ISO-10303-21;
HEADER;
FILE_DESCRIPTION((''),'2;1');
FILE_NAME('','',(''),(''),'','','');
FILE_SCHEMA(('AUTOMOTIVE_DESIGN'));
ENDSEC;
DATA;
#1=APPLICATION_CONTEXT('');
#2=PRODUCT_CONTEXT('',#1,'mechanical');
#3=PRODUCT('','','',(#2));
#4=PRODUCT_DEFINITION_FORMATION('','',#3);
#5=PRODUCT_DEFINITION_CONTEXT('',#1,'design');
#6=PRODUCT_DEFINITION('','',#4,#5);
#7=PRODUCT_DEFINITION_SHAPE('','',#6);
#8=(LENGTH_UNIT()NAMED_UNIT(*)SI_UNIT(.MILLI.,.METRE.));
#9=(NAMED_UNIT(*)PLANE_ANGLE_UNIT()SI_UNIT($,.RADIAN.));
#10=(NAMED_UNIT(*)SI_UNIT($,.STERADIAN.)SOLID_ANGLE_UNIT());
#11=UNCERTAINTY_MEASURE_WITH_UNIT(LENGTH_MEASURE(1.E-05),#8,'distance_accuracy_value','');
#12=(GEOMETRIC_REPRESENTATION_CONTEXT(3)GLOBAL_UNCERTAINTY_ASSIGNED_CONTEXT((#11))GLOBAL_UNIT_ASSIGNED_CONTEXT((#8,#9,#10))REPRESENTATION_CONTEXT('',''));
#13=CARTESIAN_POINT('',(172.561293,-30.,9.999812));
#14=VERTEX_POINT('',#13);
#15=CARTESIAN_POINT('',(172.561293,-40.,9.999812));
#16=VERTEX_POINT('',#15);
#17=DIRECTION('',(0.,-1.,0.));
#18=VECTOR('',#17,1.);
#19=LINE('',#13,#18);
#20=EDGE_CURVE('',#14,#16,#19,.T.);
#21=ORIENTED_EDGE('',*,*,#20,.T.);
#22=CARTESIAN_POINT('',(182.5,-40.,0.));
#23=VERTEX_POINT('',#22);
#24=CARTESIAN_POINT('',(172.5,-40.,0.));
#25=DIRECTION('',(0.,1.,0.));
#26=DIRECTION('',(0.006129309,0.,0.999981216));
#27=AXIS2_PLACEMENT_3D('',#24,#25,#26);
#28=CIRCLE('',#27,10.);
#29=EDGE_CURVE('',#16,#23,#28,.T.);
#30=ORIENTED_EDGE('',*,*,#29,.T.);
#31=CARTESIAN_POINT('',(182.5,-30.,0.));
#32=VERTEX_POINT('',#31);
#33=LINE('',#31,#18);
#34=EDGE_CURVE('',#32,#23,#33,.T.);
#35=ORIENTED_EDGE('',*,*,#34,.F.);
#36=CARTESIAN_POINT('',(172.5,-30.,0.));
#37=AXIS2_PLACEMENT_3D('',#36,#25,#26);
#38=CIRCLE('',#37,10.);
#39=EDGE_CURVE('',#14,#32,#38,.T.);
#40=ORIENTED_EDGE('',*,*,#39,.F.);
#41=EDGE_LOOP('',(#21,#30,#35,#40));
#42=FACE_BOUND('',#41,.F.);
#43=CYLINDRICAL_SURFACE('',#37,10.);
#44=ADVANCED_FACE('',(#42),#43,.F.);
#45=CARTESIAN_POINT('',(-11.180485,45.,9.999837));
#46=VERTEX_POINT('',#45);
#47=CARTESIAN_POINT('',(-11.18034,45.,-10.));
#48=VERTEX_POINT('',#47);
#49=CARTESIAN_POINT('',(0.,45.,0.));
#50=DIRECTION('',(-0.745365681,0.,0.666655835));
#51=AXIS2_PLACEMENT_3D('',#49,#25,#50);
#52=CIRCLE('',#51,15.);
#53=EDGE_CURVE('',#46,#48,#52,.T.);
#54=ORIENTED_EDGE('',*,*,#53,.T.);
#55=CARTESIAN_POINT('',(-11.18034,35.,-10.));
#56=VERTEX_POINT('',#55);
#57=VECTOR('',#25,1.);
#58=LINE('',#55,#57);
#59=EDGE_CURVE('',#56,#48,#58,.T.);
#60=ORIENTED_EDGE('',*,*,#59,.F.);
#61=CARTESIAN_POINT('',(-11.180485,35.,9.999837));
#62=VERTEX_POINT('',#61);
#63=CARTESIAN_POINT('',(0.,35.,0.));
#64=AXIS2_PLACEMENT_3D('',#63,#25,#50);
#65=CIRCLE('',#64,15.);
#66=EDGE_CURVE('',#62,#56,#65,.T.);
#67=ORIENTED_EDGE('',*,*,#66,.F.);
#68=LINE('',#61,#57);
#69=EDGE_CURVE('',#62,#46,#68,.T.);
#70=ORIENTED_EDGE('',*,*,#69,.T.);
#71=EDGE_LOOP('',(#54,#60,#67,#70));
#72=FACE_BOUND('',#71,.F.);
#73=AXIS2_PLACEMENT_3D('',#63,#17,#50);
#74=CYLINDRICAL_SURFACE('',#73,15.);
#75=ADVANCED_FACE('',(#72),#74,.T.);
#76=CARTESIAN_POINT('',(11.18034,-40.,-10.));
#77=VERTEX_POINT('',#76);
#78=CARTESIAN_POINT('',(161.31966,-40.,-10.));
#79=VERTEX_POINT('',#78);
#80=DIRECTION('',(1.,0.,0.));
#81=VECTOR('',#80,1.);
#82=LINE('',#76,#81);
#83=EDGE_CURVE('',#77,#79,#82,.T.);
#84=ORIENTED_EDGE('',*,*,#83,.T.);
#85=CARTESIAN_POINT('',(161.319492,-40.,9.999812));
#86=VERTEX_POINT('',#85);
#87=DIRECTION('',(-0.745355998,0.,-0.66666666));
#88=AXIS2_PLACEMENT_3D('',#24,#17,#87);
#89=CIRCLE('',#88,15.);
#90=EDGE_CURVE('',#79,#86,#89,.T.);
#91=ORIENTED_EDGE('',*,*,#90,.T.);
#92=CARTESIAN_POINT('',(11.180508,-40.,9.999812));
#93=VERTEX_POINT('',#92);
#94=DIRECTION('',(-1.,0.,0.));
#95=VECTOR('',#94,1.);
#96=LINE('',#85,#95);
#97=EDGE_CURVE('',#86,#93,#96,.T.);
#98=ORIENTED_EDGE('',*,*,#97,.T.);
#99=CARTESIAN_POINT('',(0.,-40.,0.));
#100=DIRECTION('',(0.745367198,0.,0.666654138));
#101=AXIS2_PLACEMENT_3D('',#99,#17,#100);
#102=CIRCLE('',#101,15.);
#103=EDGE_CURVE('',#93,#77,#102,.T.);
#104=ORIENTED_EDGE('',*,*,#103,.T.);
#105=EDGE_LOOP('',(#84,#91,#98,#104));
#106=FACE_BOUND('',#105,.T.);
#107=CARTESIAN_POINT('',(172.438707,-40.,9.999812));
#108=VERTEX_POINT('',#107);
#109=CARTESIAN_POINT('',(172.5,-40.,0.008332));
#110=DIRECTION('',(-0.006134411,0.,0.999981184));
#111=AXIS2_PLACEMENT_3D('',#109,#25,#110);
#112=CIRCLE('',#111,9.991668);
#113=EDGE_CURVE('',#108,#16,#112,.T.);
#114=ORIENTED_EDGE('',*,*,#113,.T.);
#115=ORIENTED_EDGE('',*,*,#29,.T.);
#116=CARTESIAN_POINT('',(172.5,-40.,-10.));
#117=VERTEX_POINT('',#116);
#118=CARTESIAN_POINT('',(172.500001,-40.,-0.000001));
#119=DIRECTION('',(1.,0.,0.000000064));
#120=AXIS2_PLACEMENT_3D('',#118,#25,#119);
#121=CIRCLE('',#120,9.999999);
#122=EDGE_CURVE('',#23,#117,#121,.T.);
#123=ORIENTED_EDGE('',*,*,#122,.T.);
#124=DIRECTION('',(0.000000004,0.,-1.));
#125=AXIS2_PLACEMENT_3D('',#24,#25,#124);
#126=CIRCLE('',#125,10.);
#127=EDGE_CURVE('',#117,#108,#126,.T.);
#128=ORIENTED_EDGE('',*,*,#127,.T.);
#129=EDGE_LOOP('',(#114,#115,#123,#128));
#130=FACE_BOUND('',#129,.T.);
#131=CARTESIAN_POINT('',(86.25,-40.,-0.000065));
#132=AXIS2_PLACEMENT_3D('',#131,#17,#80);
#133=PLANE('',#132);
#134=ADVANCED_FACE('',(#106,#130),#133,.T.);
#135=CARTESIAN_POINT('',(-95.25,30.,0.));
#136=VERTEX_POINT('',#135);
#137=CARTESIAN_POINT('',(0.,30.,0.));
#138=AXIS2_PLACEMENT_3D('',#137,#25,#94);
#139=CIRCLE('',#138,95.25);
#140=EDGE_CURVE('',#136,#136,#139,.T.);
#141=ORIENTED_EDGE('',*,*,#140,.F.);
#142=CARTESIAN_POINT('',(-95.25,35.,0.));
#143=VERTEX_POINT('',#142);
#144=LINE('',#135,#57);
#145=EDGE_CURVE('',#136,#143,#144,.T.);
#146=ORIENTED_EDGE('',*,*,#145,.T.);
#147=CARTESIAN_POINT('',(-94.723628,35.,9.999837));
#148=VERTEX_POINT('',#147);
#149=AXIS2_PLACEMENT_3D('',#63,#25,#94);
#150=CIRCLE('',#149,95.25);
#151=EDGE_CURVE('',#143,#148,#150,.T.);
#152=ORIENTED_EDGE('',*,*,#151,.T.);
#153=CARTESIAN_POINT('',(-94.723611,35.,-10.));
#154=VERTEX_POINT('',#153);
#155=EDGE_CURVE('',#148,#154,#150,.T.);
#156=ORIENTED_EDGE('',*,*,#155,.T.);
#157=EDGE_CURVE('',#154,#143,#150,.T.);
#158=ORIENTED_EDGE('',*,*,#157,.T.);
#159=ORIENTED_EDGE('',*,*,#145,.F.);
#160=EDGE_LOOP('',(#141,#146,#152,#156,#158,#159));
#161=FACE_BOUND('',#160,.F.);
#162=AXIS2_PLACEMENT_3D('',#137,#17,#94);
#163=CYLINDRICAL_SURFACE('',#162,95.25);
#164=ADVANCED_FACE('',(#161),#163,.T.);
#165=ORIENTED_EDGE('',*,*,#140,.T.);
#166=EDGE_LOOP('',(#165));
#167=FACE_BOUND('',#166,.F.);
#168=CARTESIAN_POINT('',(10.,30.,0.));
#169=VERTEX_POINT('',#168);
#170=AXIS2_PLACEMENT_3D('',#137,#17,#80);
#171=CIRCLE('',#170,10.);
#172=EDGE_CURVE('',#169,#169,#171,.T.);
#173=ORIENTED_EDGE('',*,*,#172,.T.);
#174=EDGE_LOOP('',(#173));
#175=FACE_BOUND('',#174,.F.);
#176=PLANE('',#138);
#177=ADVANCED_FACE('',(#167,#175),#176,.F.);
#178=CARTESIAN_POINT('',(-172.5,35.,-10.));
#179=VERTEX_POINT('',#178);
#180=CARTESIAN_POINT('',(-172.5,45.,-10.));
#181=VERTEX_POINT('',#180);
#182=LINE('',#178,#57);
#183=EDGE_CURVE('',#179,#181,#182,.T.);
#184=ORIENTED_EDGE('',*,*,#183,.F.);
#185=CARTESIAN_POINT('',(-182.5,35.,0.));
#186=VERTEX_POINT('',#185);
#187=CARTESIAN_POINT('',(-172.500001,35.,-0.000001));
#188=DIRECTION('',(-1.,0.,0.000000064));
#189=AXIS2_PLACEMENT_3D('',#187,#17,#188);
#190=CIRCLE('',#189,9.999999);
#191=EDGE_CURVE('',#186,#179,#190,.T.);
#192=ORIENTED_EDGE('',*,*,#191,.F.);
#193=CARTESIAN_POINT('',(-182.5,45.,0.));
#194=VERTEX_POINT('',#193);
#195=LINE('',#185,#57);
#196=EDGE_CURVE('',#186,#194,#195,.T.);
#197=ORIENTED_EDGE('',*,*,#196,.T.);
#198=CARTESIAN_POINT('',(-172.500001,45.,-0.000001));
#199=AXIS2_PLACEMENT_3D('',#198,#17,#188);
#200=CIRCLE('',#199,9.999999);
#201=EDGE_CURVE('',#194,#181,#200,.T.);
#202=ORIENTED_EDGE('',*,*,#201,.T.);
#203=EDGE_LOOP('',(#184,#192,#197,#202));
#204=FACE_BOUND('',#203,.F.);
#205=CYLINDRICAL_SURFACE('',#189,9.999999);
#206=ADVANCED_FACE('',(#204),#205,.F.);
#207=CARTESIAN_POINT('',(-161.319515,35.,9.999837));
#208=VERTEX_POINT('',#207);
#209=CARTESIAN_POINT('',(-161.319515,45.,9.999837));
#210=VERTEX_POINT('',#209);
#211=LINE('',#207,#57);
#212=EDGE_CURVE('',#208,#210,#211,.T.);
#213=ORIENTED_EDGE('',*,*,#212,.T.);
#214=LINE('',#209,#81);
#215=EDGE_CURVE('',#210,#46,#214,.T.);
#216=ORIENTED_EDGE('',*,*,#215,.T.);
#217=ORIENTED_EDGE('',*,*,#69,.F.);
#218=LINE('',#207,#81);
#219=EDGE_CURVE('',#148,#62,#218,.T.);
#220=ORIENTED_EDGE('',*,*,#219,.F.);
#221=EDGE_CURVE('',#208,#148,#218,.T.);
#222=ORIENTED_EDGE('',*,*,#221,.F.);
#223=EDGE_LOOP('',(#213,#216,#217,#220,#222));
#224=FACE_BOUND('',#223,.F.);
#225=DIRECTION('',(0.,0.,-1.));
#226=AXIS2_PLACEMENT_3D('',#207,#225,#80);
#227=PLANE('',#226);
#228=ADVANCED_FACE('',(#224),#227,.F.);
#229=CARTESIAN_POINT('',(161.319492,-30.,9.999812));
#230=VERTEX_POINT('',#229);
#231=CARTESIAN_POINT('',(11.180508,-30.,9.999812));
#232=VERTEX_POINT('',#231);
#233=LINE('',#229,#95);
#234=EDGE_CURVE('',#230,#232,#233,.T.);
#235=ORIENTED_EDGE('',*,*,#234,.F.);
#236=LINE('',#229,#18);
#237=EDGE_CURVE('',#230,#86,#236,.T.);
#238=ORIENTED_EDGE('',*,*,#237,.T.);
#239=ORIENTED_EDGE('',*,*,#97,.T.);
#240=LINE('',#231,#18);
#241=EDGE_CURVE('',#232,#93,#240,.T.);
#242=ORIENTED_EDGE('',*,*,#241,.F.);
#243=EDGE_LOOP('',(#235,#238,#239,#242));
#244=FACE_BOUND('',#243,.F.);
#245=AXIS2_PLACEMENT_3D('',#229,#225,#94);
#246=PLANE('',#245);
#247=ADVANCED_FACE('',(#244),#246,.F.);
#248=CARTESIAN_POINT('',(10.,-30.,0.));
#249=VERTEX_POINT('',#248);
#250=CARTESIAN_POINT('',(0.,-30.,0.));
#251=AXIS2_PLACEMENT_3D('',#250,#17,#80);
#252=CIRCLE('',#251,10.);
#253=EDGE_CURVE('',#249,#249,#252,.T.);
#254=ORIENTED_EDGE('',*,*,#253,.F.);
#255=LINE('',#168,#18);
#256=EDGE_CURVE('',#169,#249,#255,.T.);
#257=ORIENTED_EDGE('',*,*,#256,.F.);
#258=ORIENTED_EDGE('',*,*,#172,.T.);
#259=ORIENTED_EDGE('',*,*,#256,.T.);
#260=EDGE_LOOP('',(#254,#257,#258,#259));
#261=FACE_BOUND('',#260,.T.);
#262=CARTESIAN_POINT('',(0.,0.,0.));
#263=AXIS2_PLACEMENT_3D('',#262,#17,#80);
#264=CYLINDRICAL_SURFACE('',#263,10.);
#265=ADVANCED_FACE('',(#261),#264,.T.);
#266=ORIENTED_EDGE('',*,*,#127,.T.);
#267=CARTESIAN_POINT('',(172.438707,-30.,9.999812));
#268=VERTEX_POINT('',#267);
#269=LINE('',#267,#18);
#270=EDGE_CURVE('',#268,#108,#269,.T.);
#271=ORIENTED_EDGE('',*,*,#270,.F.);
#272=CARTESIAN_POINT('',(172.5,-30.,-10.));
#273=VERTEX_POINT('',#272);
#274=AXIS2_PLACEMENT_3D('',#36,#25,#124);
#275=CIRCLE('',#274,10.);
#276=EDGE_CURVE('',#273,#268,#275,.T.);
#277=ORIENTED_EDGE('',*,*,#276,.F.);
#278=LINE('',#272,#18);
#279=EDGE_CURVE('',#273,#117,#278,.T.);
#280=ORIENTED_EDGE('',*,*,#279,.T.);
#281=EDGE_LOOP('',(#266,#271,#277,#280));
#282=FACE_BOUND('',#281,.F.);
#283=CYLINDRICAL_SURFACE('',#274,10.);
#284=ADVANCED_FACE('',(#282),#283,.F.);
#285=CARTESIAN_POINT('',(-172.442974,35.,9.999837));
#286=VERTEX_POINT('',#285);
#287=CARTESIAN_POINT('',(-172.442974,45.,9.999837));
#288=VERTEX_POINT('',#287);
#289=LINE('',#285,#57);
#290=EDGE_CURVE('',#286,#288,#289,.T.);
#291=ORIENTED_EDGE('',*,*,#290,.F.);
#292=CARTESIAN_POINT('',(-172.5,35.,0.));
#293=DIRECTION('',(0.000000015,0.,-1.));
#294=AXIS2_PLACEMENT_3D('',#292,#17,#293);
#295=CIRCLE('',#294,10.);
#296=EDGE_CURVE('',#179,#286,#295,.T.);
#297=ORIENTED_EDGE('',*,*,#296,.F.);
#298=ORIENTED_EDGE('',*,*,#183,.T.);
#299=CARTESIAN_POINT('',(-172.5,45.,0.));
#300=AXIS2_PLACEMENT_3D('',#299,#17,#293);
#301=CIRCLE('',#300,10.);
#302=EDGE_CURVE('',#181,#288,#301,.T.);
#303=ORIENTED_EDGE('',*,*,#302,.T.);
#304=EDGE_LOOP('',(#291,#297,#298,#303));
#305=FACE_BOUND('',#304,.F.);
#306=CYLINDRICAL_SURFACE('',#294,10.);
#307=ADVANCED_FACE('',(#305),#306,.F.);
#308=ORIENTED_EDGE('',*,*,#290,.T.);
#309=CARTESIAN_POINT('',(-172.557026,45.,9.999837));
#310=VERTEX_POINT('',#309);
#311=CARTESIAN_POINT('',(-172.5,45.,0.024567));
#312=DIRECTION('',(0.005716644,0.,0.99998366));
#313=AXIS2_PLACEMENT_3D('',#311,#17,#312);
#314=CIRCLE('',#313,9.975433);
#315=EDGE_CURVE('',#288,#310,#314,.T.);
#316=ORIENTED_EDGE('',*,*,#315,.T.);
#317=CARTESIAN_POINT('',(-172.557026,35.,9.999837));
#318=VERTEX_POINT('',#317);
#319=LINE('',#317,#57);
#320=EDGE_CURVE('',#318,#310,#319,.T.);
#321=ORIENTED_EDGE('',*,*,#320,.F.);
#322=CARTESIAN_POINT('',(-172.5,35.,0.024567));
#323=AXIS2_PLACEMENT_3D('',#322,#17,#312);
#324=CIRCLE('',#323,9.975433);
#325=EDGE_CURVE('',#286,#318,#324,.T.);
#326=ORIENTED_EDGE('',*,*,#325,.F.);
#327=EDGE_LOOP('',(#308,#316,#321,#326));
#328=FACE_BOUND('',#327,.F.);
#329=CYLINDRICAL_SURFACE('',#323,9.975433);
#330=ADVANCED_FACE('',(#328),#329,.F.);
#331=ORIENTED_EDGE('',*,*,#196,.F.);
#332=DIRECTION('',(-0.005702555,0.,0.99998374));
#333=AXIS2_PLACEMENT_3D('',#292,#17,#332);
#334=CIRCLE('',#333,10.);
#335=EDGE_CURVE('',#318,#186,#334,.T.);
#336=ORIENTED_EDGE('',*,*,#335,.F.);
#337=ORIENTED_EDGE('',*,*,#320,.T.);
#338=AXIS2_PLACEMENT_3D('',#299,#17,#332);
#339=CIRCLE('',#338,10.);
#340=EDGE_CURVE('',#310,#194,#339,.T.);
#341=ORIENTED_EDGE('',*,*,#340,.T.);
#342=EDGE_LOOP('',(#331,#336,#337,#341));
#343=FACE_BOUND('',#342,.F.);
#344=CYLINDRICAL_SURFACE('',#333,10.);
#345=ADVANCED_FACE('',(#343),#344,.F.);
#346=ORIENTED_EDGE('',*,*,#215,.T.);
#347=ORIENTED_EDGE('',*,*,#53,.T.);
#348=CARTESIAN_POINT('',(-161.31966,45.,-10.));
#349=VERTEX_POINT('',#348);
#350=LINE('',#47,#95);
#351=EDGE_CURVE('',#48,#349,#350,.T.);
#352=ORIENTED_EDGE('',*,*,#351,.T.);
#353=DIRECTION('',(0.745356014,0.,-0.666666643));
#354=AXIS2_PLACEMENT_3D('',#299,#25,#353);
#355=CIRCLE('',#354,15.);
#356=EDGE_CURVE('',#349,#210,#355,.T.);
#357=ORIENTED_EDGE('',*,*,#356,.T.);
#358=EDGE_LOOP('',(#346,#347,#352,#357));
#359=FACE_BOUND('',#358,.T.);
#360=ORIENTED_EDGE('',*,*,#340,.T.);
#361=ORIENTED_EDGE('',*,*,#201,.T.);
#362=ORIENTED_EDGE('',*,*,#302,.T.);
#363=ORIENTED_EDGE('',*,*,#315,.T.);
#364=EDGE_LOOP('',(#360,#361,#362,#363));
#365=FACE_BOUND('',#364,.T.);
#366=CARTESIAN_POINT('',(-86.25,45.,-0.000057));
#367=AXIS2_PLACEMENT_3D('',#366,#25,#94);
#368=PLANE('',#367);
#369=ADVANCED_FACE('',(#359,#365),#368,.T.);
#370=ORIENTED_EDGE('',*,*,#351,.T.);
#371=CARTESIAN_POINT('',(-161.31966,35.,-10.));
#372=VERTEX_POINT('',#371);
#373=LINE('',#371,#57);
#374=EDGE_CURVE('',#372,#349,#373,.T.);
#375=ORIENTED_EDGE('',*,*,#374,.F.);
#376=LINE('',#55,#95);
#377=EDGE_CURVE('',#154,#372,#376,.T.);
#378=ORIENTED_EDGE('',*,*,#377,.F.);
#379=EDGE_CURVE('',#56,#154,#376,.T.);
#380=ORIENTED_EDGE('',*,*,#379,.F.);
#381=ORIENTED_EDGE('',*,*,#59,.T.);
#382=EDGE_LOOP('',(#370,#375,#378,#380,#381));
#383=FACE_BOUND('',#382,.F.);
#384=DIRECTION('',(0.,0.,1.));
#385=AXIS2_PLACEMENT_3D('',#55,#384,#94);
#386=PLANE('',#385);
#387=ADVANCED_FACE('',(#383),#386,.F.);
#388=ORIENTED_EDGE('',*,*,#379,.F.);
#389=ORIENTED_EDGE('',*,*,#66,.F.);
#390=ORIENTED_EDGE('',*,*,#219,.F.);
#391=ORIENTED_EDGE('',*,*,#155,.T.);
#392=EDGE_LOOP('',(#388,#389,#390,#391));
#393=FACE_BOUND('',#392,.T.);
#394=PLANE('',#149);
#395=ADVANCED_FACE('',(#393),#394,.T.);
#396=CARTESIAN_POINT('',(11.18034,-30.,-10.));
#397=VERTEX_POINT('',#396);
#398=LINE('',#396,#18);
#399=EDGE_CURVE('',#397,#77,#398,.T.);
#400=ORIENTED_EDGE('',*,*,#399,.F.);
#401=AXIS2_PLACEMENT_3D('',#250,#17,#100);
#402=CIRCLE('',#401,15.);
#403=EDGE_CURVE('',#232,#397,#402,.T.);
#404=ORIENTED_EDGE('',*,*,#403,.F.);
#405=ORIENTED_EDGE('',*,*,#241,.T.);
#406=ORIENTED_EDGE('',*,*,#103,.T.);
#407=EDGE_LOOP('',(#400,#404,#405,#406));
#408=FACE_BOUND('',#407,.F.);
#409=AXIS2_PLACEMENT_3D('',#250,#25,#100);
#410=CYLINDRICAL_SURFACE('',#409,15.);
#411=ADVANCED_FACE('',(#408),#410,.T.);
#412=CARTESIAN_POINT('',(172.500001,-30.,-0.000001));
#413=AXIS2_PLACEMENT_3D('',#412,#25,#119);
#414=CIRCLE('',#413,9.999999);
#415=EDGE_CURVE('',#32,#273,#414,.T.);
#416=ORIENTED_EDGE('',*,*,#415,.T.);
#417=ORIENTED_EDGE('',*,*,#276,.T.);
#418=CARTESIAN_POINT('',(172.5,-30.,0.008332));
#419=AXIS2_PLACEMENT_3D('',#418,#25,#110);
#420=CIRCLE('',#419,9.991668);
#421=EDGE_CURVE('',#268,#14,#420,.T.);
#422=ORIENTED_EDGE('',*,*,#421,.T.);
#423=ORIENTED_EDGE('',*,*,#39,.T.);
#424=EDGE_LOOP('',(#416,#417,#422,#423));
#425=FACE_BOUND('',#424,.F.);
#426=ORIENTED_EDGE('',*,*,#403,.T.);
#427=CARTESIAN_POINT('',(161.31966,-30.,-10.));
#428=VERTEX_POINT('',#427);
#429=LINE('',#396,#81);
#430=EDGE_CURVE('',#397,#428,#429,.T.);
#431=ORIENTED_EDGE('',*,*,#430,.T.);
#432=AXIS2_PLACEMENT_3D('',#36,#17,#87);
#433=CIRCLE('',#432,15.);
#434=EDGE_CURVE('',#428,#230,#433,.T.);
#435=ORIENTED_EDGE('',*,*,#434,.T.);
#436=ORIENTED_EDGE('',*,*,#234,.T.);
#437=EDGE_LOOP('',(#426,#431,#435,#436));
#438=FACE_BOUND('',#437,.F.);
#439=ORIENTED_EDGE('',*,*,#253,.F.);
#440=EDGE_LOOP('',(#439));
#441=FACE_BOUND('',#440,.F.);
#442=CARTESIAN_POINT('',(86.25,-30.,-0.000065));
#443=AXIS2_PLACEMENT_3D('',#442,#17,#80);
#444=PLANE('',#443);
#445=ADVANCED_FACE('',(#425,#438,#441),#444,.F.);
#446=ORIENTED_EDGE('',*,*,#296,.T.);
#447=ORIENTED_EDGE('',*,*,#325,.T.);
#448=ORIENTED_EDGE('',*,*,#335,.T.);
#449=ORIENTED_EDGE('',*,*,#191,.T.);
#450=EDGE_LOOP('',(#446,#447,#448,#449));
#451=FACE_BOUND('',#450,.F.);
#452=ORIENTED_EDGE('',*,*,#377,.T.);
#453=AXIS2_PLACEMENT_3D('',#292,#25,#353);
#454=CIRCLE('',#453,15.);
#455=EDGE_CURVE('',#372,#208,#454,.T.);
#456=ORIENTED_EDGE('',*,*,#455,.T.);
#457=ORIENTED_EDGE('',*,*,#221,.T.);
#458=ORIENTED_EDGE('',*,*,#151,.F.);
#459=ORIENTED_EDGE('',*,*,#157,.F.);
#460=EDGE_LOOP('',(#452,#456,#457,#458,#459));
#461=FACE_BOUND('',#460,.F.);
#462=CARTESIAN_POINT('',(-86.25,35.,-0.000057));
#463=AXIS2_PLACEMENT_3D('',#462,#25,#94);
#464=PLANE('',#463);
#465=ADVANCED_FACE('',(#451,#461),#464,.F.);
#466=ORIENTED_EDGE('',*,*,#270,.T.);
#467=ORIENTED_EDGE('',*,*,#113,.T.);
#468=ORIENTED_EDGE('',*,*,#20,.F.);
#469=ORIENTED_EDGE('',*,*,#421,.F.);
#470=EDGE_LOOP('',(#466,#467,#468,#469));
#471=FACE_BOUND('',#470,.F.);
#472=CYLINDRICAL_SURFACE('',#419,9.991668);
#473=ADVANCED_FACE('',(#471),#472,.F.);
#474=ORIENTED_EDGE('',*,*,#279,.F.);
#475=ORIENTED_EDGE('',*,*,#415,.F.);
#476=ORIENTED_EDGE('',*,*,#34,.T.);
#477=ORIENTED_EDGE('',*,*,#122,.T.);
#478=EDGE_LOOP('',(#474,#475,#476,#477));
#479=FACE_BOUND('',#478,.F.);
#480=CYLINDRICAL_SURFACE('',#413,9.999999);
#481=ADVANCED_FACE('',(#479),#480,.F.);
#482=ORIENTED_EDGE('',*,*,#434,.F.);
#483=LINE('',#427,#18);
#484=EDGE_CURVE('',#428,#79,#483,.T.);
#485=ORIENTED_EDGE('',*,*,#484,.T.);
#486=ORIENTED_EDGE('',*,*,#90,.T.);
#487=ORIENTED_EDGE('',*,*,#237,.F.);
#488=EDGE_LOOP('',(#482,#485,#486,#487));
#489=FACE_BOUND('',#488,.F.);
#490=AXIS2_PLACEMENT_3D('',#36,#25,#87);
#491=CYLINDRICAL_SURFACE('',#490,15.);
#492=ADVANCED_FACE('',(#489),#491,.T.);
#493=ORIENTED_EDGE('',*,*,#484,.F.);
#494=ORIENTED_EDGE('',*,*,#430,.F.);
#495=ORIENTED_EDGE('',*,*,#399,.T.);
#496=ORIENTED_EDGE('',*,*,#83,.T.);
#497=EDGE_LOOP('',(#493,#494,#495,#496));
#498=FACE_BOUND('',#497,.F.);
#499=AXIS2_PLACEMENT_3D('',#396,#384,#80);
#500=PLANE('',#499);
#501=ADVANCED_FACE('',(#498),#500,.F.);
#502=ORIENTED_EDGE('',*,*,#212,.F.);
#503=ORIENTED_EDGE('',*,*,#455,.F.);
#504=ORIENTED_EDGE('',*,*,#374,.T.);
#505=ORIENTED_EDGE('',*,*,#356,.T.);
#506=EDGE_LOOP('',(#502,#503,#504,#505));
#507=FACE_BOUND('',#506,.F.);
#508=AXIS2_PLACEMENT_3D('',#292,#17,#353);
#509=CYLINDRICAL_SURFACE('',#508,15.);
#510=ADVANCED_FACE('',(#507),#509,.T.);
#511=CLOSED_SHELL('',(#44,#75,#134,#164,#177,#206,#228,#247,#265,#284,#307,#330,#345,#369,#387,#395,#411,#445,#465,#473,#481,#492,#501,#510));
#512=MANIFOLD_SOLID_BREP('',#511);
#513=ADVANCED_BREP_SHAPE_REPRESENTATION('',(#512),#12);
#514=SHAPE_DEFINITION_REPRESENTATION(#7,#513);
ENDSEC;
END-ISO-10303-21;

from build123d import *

# Parameters (mm, degrees)
F0_R     = 10
F1_DEPTH = 30
F3_DEPTH = 10
F4_R     = 95.25
F5_DEPTH = 5
F7_DEPTH = 10


with BuildPart() as f1:
    # F0 (on Front) → F1 (new body, symmetric)
    with BuildSketch(Plane.XZ):
        Circle(F0_R)
    extrude(amount=F1_DEPTH, both=True)

    # F2 (on face) → F3 (join)
    with BuildSketch(Plane.XZ.offset(30)):
        with BuildLine():
            ThreePointArc((11.180508, 9.999812), (-15, 0.000126), (11.18034, -10))
            Line((11.18034, -10), (161.31966, -10))
            ThreePointArc((161.31966, -10), (187.5, 0.000126), (161.319492, 9.999812))
            Line((161.319492, 9.999812), (11.180508, 9.999812))
        make_face()
        with BuildLine():
            ThreePointArc((172.561293, 9.999812), (179.592705, 7.049364), (182.5, 0))
            ThreePointArc((182.5, 0), (179.571068, -7.071068), (172.5, -10))
            ThreePointArc((172.5, -10), (162.500047, -0.030647), (172.438707, 9.999812))
            ThreePointArc((172.438707, 9.999812), (172.5, 10), (172.561293, 9.999812))
        make_face(mode=Mode.SUBTRACT)
    extrude(amount=F3_DEPTH)

    # F4 (on face) → F5 (join)
    with BuildSketch(Plane(origin=(0, 30, 0), x_dir=(-1, 0, 0), z_dir=(0, 1, 0))):
        Circle(F4_R)
    extrude(amount=F5_DEPTH)

    # F6 (on face) → F7 (join)
    with BuildSketch(Plane(origin=(0, 35, 0), x_dir=(-1, 0, 0), z_dir=(0, 1, 0))):
        with BuildLine():
            Line((161.319515, 9.999837), (11.180485, 9.999837))
            ThreePointArc((11.180485, 9.999837), (-15, 0.000109), (11.18034, -10))
            Line((11.18034, -10), (161.31966, -10))
            ThreePointArc((161.31966, -10), (187.5, 0.000109), (161.319515, 9.999837))
        make_face()
        with BuildLine():
            ThreePointArc((172.557026, 9.999837), (179.591201, 7.050877), (182.5, 0))
            ThreePointArc((182.5, 0), (179.571068, -7.071068), (172.5, -10))
            ThreePointArc((172.5, -10), (162.500041, -0.028513), (172.442974, 9.999837))
            ThreePointArc((172.442974, 9.999837), (172.5, 10), (172.557026, 9.999837))
        make_face(mode=Mode.SUBTRACT)
    extrude(amount=F7_DEPTH)


solid = f1.part
